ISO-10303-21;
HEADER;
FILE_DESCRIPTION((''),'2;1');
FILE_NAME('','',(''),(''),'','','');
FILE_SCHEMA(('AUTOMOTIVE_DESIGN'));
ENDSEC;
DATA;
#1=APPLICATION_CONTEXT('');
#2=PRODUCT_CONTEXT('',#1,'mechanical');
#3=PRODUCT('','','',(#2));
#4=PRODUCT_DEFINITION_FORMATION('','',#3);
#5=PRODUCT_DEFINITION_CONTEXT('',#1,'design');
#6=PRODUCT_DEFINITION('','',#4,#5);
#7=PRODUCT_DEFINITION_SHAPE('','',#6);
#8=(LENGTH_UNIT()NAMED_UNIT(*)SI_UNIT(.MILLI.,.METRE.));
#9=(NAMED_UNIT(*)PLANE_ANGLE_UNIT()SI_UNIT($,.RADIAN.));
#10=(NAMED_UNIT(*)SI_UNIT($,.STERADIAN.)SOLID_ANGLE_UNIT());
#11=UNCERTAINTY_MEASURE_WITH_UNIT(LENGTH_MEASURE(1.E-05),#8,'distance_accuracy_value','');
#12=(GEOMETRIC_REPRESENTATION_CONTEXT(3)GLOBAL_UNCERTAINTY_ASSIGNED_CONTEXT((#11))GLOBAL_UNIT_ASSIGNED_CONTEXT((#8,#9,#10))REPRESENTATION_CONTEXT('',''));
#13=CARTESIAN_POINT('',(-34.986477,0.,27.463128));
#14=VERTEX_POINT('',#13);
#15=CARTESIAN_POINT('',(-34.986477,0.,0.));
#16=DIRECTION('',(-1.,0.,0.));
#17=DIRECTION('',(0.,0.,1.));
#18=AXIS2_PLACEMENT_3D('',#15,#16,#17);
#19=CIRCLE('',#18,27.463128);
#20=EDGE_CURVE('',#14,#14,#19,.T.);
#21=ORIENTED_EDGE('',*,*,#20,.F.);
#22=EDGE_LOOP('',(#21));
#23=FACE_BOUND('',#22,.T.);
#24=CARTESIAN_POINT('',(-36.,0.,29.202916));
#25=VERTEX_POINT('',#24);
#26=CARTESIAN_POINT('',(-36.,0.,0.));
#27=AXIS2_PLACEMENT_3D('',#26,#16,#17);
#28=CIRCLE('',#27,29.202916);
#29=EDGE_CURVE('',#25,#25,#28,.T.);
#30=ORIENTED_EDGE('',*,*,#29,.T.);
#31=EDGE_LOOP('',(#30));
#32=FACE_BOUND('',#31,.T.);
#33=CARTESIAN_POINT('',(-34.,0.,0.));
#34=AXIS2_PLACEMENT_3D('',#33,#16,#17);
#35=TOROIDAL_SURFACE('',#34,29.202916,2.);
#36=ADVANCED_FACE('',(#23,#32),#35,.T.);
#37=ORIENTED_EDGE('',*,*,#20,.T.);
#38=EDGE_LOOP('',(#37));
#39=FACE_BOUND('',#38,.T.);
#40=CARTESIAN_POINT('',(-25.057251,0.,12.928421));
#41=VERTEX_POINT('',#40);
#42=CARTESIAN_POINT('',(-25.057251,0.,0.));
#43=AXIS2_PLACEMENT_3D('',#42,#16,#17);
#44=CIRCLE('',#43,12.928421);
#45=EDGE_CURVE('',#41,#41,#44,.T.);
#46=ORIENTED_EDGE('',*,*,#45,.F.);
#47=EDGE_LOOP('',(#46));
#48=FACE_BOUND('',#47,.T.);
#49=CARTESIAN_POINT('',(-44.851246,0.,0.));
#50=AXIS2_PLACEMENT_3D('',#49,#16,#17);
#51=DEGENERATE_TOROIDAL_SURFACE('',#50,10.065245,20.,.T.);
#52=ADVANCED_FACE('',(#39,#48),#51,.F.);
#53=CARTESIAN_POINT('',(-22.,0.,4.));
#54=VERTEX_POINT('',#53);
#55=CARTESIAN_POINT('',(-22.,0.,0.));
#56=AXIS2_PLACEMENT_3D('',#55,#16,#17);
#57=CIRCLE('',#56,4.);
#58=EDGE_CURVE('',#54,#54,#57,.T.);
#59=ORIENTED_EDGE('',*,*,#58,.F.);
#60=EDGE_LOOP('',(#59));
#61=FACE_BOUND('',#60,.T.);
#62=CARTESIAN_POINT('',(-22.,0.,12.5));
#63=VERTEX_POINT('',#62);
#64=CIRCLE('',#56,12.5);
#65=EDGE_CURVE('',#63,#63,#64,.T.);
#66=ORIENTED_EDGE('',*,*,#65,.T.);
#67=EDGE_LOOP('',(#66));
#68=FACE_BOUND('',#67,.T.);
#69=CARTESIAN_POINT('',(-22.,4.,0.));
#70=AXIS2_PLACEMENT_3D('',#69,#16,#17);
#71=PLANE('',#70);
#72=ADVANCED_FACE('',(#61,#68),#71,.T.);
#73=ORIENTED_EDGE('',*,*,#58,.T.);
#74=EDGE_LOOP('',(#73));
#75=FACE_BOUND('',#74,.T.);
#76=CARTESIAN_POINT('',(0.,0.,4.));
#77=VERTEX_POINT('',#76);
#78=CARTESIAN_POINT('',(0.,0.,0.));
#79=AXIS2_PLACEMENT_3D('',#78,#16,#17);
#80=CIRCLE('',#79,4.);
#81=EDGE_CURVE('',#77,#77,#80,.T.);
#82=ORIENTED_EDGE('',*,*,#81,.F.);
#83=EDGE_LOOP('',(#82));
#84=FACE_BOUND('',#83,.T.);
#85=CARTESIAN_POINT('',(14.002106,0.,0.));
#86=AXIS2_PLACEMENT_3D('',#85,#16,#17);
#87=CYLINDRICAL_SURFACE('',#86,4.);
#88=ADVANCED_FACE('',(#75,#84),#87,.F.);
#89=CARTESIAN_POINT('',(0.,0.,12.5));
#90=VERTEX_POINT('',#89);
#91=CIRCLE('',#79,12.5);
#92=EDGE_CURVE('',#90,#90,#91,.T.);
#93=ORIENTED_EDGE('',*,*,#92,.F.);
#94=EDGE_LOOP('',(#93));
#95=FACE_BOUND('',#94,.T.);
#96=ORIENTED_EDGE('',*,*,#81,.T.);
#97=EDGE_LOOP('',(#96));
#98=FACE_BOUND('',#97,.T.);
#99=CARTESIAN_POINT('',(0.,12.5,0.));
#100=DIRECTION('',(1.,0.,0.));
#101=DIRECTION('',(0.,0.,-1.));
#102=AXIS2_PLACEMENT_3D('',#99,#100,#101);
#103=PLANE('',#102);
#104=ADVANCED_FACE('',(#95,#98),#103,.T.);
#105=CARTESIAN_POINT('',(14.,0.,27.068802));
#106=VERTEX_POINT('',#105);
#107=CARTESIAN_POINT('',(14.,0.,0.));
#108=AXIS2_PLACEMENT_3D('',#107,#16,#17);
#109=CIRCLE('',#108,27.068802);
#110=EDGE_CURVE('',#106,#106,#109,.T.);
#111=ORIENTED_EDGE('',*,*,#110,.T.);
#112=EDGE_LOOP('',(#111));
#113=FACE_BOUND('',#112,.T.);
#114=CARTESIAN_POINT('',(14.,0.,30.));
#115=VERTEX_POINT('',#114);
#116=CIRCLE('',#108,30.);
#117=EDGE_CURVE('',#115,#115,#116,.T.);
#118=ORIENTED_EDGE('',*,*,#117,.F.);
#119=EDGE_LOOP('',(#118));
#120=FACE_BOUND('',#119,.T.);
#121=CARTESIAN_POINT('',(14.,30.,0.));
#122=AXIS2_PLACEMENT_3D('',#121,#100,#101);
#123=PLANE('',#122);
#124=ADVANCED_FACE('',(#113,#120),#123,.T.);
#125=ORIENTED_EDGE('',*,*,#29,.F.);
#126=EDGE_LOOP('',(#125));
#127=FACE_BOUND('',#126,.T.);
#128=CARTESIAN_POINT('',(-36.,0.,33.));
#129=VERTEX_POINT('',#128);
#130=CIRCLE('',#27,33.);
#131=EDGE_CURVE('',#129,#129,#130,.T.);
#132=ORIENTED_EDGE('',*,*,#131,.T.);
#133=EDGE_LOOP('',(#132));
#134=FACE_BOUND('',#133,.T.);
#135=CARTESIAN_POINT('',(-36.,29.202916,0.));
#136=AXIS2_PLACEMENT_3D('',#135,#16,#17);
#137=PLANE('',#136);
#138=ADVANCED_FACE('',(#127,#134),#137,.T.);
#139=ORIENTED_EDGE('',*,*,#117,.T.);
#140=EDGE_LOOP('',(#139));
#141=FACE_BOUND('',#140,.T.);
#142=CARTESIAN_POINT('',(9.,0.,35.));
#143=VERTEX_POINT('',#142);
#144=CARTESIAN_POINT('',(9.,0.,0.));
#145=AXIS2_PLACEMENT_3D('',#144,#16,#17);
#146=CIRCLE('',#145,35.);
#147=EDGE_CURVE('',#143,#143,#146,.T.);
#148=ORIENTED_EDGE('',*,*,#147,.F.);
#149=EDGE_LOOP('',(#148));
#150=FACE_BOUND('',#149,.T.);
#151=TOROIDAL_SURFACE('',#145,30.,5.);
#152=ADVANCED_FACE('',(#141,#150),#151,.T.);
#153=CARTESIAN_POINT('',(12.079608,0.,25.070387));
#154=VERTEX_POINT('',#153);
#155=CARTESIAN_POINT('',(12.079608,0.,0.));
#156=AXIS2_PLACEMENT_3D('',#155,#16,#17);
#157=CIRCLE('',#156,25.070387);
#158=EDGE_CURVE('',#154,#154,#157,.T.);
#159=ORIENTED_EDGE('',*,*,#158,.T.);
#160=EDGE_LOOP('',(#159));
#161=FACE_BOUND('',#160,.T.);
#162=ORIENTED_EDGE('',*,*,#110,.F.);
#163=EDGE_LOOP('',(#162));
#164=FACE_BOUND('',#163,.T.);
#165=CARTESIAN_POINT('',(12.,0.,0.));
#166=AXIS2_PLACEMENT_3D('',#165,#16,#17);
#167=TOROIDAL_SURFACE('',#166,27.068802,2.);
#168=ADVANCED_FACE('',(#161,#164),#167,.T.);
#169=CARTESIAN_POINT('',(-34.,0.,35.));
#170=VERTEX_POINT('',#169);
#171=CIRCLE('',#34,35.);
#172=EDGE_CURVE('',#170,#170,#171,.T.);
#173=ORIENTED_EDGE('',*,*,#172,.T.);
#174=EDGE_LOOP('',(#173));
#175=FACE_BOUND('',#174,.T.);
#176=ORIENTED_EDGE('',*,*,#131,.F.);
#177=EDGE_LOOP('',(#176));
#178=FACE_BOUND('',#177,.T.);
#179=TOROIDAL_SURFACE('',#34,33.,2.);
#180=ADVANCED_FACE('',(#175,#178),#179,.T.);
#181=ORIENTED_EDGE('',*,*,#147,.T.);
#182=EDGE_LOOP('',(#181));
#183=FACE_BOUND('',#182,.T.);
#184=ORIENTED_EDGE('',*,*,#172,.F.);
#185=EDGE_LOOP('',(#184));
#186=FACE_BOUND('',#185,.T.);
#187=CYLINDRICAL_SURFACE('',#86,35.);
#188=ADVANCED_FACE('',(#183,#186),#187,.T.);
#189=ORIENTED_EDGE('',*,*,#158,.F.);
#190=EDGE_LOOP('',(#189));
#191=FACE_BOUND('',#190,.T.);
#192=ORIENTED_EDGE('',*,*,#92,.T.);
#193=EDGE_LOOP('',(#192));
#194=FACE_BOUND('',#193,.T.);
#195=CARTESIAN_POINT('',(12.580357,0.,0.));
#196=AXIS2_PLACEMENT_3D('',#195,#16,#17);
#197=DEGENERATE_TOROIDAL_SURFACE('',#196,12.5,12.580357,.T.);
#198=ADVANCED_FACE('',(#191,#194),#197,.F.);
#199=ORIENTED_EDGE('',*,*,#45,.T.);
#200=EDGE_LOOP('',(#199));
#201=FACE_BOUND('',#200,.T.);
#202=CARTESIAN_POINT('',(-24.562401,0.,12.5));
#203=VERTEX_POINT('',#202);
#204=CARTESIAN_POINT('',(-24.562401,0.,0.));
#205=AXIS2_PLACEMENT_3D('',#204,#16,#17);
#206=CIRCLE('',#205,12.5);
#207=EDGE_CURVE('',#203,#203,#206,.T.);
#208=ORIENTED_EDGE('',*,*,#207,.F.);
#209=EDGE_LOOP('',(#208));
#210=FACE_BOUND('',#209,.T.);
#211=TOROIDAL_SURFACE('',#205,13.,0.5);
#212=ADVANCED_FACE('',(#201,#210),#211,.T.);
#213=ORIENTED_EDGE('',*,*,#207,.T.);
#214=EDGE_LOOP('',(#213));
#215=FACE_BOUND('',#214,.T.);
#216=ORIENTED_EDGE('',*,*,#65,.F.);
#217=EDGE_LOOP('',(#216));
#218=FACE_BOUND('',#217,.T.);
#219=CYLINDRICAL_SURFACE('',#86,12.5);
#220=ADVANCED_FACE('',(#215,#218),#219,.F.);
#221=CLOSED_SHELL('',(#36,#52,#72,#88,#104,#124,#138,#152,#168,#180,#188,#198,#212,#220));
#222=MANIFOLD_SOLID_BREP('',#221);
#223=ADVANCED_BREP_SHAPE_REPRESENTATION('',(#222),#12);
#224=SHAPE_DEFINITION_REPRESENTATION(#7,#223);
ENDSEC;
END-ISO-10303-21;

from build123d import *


with BuildPart() as part:
    # Sketch1 → Revolve1 (revolve)
    with BuildSketch(Plane(origin=(0, 0, 0), x_dir=(-1, 0, 0), z_dir=(0, 0, -1)), mode=Mode.PRIVATE) as revolve1_sk:
        with BuildLine():
            Line((0, 4), (22, 4))
            Line((22, 4), (22, 12.5))
            Line((22, 12.5), (24.562401465, 12.5))
            ThreePointArc((24.562401465, 12.5), (24.889670699, 12.62198565), (25.057251332, 12.928420605))
            ThreePointArc((25.057251332, 12.928420605), (28.336858489, 21.346867264), (34.986476907, 27.463127736))
            ThreePointArc((34.986476907, 27.463127736), (35.728142618, 28.19617719), (36, 29.20291603))
            Line((36, 29.20291603), (36, 33))
            ThreePointArc((36, 33), (35.414213562, 34.414213562), (34, 35))
            Line((34, 35), (-9, 35))
            ThreePointArc((-9, 35), (-12.535533906, 33.535533906), (-14, 30))
            Line((-14, 30), (-14, 27.068802284))
            ThreePointArc((-14, 27.068802284), (-13.442084631, 25.683020225), (-12.079608083, 25.070387274))
            ThreePointArc((-12.079608083, 25.070387274), (-3.509387298, 21.216816616), (0, 12.5))
            Line((0, 12.5), (0, 4))
        make_face()
    revolve(revolve1_sk.sketch.rotate(Axis((14.002105865, 0, 0), (-1, 0, 0)), 270), axis=Axis((14.002105865, 0, 0), (-1, 0, 0)))


solid = part.part
